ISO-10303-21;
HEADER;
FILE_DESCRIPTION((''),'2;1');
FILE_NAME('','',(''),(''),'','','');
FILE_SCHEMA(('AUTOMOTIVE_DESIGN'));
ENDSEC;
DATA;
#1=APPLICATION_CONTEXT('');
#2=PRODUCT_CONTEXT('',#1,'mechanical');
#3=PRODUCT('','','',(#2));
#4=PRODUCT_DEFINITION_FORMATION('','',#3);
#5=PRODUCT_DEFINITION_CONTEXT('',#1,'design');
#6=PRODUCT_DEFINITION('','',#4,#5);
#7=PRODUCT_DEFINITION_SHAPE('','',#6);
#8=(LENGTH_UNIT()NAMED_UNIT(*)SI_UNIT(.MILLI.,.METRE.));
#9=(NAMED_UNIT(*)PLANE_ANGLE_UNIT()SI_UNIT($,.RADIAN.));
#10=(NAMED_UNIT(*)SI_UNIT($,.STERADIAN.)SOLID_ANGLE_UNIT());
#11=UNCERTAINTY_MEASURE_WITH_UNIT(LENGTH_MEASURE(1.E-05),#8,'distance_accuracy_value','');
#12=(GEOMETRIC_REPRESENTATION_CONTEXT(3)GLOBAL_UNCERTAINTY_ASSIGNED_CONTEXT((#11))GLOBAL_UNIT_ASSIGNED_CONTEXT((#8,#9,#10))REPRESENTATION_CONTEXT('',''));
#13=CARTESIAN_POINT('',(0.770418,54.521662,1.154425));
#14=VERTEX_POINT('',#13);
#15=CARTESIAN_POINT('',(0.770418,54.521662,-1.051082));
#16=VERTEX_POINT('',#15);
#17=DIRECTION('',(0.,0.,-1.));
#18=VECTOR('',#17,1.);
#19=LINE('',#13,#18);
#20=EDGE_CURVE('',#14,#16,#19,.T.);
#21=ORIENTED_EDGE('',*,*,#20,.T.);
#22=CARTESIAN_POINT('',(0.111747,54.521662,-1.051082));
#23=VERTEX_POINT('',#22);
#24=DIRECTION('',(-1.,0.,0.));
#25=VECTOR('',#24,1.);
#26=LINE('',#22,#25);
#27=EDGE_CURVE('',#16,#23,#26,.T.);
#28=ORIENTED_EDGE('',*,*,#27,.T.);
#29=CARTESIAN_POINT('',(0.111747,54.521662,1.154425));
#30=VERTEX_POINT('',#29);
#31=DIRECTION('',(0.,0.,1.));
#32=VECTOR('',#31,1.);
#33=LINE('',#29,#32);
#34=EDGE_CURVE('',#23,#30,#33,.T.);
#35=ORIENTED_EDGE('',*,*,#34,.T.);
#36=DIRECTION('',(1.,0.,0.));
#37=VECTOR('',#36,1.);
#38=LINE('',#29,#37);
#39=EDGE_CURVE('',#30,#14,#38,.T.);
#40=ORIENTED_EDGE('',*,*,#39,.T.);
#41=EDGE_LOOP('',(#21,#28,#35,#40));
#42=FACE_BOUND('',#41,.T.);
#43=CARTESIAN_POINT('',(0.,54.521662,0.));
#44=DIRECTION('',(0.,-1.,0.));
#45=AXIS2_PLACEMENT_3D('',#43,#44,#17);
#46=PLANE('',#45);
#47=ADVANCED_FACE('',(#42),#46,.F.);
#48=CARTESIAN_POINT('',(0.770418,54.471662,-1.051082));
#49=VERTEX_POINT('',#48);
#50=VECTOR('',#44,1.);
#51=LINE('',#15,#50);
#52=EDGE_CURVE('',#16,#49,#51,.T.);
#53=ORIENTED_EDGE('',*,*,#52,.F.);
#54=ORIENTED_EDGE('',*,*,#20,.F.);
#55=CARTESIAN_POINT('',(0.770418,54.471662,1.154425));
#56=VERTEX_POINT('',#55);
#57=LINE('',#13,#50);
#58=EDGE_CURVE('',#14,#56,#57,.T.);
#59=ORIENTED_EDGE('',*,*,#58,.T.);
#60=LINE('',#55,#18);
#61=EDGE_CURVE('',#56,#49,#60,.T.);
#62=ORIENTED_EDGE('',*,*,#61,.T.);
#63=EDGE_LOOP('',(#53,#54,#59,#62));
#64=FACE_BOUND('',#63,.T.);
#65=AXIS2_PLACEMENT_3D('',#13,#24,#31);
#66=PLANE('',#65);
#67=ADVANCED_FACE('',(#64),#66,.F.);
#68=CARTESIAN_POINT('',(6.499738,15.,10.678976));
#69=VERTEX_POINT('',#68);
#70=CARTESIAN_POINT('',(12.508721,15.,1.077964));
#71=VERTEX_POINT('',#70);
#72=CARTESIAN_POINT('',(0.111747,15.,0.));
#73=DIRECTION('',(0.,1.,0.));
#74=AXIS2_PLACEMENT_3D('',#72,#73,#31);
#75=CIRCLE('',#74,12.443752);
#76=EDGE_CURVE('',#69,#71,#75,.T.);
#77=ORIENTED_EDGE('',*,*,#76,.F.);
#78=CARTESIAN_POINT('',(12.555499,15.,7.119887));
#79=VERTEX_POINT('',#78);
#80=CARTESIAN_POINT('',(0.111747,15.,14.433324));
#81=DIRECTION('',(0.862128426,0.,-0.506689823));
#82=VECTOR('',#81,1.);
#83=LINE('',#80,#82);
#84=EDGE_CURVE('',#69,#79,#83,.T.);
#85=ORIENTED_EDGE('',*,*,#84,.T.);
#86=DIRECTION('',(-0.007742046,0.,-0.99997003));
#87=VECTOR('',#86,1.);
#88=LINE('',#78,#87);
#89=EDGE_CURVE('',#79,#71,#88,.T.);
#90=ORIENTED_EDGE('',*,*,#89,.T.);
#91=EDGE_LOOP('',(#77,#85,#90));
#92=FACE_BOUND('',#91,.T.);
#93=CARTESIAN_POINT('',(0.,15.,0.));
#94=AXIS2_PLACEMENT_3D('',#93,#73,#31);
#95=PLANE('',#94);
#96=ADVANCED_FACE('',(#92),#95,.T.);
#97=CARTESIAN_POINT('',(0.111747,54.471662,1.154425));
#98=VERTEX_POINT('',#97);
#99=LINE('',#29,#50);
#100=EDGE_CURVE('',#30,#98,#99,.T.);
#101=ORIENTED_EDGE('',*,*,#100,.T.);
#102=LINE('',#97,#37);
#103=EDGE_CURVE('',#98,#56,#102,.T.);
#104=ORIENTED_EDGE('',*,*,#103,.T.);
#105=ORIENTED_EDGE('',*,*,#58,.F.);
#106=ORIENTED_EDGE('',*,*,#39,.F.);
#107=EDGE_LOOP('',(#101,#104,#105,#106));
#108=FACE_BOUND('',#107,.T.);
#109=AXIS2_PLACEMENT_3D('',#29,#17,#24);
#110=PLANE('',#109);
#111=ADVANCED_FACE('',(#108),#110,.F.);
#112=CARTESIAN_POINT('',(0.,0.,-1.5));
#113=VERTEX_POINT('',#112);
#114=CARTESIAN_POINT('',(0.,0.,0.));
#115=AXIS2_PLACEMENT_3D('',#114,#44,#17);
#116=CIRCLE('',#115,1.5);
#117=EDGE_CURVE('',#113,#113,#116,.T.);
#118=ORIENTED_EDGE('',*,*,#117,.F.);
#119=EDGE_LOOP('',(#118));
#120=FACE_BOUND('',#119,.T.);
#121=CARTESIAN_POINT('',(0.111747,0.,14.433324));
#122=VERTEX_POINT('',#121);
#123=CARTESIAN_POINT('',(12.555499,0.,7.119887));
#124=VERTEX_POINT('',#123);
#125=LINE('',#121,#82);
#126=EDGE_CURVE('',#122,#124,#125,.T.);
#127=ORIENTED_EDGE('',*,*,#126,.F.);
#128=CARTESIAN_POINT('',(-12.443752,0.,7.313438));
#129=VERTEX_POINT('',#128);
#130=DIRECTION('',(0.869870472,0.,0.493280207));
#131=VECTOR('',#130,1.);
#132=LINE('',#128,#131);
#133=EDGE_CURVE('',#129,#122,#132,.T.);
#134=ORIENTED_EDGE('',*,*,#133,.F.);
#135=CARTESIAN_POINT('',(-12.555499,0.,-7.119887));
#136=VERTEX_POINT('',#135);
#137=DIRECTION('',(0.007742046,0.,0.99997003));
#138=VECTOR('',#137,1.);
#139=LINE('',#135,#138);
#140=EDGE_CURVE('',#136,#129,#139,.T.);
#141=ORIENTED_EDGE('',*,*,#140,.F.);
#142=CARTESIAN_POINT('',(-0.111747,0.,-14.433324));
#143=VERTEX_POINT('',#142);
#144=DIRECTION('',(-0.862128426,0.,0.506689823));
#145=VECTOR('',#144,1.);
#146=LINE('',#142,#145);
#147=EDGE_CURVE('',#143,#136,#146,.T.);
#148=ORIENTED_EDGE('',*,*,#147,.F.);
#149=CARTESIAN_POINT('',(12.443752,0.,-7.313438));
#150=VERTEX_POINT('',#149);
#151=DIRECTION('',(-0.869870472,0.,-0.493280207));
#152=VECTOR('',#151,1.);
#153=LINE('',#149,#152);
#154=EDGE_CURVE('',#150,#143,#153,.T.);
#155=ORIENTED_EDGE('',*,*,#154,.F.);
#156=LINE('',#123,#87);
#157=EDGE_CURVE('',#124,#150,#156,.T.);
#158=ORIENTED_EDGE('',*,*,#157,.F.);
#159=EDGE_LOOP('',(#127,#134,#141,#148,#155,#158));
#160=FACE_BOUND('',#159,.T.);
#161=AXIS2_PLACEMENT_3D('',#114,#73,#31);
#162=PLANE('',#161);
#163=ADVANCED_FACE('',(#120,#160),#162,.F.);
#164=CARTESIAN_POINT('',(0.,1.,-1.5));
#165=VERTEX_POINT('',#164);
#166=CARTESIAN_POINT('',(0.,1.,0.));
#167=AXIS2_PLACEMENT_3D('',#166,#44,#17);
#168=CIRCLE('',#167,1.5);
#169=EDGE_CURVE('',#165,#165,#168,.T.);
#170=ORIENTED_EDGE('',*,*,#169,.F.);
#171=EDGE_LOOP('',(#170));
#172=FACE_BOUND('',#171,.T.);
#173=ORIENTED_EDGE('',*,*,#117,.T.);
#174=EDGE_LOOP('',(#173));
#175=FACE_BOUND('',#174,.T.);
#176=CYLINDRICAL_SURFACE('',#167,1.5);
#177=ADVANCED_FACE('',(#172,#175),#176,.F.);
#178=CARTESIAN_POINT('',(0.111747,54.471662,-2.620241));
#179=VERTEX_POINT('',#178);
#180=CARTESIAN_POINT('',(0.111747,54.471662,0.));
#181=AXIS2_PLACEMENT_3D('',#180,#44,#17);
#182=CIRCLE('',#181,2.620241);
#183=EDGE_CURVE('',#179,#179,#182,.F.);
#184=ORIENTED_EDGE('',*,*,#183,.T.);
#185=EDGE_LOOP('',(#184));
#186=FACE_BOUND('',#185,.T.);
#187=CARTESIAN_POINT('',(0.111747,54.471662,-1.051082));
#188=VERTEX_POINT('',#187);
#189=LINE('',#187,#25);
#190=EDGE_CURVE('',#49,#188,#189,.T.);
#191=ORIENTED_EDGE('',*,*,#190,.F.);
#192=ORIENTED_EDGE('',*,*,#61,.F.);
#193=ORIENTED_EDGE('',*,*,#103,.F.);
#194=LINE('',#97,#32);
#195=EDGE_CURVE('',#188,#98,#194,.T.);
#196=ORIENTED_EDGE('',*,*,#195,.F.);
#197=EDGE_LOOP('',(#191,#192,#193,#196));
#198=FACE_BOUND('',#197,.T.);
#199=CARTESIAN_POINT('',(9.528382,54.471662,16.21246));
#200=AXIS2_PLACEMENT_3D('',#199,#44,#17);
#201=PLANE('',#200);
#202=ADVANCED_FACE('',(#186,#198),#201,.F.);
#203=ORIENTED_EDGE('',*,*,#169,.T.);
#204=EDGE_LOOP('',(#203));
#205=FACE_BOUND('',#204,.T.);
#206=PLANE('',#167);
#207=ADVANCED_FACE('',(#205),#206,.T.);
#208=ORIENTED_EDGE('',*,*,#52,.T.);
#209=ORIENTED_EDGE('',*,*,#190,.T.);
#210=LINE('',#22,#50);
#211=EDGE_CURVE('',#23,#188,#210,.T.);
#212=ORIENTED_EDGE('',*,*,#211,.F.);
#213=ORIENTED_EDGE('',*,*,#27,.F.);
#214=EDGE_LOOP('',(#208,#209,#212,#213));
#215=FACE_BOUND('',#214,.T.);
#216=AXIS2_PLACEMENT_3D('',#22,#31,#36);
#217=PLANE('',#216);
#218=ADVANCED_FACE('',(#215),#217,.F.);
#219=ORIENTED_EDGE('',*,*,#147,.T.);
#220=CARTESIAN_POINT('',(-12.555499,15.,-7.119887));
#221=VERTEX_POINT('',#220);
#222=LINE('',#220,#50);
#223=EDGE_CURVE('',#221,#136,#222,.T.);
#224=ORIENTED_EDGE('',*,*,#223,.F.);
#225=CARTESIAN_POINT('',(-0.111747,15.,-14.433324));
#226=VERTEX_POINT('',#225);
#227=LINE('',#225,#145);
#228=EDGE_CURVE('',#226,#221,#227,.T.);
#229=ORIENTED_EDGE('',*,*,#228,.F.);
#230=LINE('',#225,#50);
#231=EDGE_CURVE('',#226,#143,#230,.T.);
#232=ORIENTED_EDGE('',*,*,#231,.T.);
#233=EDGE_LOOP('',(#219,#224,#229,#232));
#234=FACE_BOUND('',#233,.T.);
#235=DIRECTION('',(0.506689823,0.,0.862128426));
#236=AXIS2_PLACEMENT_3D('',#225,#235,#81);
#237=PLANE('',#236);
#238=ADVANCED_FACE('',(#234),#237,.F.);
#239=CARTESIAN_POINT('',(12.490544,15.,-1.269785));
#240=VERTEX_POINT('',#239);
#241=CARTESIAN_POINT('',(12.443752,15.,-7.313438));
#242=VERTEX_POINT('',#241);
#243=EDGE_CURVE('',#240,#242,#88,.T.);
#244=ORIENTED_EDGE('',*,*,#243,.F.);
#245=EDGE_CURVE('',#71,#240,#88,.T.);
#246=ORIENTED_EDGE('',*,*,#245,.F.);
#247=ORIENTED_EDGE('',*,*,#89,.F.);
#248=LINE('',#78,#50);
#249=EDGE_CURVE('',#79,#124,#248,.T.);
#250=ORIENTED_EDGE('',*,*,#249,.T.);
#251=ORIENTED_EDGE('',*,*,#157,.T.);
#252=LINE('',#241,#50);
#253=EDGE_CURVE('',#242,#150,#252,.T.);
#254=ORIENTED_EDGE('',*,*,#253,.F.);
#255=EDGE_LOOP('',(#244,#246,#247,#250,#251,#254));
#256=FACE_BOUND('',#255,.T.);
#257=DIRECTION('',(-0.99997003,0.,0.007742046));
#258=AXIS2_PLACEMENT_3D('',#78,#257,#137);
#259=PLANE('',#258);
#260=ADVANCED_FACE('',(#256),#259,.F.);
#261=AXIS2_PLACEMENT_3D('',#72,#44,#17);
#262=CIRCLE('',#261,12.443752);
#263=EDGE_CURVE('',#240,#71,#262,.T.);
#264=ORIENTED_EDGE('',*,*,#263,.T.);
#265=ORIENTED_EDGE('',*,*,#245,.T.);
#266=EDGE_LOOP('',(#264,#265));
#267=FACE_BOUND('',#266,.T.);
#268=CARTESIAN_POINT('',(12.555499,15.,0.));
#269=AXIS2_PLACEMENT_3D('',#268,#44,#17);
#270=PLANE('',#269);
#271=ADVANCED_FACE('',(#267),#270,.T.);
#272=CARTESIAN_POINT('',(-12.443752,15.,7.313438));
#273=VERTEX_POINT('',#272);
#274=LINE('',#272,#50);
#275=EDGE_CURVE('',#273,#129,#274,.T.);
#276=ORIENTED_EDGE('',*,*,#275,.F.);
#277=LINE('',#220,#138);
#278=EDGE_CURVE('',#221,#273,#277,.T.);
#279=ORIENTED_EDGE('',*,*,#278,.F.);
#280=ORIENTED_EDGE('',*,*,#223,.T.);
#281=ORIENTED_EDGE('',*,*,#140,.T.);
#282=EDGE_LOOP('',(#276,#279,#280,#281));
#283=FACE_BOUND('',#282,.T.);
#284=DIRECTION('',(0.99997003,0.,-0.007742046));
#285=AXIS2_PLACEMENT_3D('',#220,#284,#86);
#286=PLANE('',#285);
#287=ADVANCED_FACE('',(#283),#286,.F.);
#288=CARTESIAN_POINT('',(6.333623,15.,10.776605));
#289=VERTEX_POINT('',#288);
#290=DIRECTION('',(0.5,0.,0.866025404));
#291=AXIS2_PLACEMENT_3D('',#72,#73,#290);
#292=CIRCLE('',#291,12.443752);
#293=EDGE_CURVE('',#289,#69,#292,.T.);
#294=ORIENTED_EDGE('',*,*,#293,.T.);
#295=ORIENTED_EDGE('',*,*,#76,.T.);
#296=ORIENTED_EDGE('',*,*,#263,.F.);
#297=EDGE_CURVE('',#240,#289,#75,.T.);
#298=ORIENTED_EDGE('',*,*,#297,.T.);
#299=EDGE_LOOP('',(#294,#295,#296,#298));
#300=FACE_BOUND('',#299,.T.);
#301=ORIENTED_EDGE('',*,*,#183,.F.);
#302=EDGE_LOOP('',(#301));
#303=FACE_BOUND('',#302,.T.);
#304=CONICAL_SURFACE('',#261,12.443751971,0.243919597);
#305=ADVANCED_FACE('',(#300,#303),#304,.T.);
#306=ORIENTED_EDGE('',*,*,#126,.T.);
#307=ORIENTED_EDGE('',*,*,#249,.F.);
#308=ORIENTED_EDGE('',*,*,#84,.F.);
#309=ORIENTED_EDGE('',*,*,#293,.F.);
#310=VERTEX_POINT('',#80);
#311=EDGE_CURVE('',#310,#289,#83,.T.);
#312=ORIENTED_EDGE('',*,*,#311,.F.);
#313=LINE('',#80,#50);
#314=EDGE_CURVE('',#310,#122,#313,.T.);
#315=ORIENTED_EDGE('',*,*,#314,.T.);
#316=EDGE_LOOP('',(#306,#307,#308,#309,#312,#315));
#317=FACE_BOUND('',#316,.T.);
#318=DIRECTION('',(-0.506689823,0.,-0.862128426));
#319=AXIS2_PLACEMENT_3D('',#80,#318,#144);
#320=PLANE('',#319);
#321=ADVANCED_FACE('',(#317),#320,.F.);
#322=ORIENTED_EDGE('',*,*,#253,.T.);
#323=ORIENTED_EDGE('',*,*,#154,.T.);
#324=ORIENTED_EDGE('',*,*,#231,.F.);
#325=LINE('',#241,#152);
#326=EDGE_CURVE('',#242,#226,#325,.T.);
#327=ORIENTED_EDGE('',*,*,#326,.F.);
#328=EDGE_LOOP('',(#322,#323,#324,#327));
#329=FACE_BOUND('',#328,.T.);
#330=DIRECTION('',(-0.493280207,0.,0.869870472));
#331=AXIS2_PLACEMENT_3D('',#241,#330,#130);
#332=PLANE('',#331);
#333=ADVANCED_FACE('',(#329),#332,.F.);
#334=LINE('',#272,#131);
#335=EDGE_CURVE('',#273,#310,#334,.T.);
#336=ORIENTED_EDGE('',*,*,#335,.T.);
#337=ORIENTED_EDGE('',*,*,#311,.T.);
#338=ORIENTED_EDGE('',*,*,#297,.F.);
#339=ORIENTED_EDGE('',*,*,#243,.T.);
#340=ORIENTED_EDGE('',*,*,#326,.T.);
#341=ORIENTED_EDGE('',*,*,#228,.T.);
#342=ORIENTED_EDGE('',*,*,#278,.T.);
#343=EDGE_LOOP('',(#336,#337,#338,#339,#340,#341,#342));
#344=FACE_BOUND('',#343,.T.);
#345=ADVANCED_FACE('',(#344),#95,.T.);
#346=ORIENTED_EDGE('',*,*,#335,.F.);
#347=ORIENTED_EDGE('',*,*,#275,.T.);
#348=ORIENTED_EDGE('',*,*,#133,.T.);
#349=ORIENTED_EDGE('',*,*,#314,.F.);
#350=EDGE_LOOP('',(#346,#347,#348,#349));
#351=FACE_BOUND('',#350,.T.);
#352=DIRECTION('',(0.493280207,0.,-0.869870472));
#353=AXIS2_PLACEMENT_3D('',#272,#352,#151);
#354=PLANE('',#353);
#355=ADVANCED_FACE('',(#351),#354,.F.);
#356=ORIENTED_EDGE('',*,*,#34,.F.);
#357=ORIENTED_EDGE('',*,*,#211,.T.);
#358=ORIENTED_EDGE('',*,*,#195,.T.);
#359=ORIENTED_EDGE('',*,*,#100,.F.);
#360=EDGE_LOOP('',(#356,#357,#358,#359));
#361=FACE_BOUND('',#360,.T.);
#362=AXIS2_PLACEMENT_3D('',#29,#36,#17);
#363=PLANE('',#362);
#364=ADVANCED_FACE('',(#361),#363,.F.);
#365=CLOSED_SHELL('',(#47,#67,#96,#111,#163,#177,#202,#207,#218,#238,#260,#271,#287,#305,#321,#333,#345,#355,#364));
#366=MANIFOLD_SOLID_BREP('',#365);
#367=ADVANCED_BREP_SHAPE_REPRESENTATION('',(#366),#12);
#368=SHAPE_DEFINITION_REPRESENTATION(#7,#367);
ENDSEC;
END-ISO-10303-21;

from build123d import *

# Parameters (mm, degrees)
SALIENTE_EXTRUIR1_DEPTH = 15
CROQUIS7_W              = 14.43375673
CROQUIS7_H              = 12.305430405
CORTAR_EXTRUIR1_DEPTH   = 73.231152958
CROQUIS8_R              = 1.5
CORTAR_EXTRUIR2_DEPTH   = 1
CROQUIS10_W             = 0.658671327
CROQUIS10_H             = 2.205507173
SALIENTE_EXTRUIR2_DEPTH = 0.05


with BuildPart() as part:
    # Croquis1 → Saliente-Extruir1 (new body)
    with BuildSketch(Plane(origin=(0, 0, 0), x_dir=(1, 0, 0), z_dir=(0, 1, 0))):
        Polygon((12.555498777, -7.119886502), (12.443751971, 7.313437647), (-0.111746806, 14.433324149), (-12.555498777, 7.119886502), (-12.443751971, -7.313437647), (0.111746806, -14.433324149), align=None)
    extrude(amount=SALIENTE_EXTRUIR1_DEPTH)

    # Croquis6 → Revolución3 (revolve)
    with BuildSketch(Plane.XY, mode=Mode.PRIVATE) as revoluci_n3_sk:
        Polygon((0.111746806, 15), (0.111746806, 65), (12.555498777, 15), align=None)
    revolve(revoluci_n3_sk.sketch.rotate(Axis((0.111746806, 15, 0), (0, 1, 0)), 90), axis=Axis((0.111746806, 15, 0), (0, 1, 0)))

    # Croquis7 → Cortar-Extruir1 (cut, through all)
    with BuildSketch(Plane(origin=(-6.333622792, 0, -10.776605325), x_dir=(-0.8621284260151223, 0, 0.5066898233206265), z_dir=(-0.5066898233206265, 0, -0.8621284260151223))):
        with Locations((0, 60.624376817)):
            Rectangle(CROQUIS7_W, CROQUIS7_H)
    extrude(amount=-CORTAR_EXTRUIR1_DEPTH, mode=Mode.SUBTRACT)

    # Croquis8 → Cortar-Extruir2 (cut)
    with BuildSketch(Plane(origin=(0, 0, 0), x_dir=(-1, 0, 0), z_dir=(0, -1, 0))):
        with Locations(Location((0, 0, 0), (0, 0, 90))):
            Circle(CROQUIS8_R)
    extrude(amount=-CORTAR_EXTRUIR2_DEPTH, mode=Mode.SUBTRACT)

    # Croquis10 → Saliente-Extruir2 (add)
    with BuildSketch(Plane(origin=(0, 54.471661615, 0), x_dir=(1, 0, 0), z_dir=(0, 1, 0))):
        with Locations((0.44108247, -0.051671434)):
            Rectangle(CROQUIS10_W, CROQUIS10_H)
    extrude(amount=SALIENTE_EXTRUIR2_DEPTH)


solid = part.part
